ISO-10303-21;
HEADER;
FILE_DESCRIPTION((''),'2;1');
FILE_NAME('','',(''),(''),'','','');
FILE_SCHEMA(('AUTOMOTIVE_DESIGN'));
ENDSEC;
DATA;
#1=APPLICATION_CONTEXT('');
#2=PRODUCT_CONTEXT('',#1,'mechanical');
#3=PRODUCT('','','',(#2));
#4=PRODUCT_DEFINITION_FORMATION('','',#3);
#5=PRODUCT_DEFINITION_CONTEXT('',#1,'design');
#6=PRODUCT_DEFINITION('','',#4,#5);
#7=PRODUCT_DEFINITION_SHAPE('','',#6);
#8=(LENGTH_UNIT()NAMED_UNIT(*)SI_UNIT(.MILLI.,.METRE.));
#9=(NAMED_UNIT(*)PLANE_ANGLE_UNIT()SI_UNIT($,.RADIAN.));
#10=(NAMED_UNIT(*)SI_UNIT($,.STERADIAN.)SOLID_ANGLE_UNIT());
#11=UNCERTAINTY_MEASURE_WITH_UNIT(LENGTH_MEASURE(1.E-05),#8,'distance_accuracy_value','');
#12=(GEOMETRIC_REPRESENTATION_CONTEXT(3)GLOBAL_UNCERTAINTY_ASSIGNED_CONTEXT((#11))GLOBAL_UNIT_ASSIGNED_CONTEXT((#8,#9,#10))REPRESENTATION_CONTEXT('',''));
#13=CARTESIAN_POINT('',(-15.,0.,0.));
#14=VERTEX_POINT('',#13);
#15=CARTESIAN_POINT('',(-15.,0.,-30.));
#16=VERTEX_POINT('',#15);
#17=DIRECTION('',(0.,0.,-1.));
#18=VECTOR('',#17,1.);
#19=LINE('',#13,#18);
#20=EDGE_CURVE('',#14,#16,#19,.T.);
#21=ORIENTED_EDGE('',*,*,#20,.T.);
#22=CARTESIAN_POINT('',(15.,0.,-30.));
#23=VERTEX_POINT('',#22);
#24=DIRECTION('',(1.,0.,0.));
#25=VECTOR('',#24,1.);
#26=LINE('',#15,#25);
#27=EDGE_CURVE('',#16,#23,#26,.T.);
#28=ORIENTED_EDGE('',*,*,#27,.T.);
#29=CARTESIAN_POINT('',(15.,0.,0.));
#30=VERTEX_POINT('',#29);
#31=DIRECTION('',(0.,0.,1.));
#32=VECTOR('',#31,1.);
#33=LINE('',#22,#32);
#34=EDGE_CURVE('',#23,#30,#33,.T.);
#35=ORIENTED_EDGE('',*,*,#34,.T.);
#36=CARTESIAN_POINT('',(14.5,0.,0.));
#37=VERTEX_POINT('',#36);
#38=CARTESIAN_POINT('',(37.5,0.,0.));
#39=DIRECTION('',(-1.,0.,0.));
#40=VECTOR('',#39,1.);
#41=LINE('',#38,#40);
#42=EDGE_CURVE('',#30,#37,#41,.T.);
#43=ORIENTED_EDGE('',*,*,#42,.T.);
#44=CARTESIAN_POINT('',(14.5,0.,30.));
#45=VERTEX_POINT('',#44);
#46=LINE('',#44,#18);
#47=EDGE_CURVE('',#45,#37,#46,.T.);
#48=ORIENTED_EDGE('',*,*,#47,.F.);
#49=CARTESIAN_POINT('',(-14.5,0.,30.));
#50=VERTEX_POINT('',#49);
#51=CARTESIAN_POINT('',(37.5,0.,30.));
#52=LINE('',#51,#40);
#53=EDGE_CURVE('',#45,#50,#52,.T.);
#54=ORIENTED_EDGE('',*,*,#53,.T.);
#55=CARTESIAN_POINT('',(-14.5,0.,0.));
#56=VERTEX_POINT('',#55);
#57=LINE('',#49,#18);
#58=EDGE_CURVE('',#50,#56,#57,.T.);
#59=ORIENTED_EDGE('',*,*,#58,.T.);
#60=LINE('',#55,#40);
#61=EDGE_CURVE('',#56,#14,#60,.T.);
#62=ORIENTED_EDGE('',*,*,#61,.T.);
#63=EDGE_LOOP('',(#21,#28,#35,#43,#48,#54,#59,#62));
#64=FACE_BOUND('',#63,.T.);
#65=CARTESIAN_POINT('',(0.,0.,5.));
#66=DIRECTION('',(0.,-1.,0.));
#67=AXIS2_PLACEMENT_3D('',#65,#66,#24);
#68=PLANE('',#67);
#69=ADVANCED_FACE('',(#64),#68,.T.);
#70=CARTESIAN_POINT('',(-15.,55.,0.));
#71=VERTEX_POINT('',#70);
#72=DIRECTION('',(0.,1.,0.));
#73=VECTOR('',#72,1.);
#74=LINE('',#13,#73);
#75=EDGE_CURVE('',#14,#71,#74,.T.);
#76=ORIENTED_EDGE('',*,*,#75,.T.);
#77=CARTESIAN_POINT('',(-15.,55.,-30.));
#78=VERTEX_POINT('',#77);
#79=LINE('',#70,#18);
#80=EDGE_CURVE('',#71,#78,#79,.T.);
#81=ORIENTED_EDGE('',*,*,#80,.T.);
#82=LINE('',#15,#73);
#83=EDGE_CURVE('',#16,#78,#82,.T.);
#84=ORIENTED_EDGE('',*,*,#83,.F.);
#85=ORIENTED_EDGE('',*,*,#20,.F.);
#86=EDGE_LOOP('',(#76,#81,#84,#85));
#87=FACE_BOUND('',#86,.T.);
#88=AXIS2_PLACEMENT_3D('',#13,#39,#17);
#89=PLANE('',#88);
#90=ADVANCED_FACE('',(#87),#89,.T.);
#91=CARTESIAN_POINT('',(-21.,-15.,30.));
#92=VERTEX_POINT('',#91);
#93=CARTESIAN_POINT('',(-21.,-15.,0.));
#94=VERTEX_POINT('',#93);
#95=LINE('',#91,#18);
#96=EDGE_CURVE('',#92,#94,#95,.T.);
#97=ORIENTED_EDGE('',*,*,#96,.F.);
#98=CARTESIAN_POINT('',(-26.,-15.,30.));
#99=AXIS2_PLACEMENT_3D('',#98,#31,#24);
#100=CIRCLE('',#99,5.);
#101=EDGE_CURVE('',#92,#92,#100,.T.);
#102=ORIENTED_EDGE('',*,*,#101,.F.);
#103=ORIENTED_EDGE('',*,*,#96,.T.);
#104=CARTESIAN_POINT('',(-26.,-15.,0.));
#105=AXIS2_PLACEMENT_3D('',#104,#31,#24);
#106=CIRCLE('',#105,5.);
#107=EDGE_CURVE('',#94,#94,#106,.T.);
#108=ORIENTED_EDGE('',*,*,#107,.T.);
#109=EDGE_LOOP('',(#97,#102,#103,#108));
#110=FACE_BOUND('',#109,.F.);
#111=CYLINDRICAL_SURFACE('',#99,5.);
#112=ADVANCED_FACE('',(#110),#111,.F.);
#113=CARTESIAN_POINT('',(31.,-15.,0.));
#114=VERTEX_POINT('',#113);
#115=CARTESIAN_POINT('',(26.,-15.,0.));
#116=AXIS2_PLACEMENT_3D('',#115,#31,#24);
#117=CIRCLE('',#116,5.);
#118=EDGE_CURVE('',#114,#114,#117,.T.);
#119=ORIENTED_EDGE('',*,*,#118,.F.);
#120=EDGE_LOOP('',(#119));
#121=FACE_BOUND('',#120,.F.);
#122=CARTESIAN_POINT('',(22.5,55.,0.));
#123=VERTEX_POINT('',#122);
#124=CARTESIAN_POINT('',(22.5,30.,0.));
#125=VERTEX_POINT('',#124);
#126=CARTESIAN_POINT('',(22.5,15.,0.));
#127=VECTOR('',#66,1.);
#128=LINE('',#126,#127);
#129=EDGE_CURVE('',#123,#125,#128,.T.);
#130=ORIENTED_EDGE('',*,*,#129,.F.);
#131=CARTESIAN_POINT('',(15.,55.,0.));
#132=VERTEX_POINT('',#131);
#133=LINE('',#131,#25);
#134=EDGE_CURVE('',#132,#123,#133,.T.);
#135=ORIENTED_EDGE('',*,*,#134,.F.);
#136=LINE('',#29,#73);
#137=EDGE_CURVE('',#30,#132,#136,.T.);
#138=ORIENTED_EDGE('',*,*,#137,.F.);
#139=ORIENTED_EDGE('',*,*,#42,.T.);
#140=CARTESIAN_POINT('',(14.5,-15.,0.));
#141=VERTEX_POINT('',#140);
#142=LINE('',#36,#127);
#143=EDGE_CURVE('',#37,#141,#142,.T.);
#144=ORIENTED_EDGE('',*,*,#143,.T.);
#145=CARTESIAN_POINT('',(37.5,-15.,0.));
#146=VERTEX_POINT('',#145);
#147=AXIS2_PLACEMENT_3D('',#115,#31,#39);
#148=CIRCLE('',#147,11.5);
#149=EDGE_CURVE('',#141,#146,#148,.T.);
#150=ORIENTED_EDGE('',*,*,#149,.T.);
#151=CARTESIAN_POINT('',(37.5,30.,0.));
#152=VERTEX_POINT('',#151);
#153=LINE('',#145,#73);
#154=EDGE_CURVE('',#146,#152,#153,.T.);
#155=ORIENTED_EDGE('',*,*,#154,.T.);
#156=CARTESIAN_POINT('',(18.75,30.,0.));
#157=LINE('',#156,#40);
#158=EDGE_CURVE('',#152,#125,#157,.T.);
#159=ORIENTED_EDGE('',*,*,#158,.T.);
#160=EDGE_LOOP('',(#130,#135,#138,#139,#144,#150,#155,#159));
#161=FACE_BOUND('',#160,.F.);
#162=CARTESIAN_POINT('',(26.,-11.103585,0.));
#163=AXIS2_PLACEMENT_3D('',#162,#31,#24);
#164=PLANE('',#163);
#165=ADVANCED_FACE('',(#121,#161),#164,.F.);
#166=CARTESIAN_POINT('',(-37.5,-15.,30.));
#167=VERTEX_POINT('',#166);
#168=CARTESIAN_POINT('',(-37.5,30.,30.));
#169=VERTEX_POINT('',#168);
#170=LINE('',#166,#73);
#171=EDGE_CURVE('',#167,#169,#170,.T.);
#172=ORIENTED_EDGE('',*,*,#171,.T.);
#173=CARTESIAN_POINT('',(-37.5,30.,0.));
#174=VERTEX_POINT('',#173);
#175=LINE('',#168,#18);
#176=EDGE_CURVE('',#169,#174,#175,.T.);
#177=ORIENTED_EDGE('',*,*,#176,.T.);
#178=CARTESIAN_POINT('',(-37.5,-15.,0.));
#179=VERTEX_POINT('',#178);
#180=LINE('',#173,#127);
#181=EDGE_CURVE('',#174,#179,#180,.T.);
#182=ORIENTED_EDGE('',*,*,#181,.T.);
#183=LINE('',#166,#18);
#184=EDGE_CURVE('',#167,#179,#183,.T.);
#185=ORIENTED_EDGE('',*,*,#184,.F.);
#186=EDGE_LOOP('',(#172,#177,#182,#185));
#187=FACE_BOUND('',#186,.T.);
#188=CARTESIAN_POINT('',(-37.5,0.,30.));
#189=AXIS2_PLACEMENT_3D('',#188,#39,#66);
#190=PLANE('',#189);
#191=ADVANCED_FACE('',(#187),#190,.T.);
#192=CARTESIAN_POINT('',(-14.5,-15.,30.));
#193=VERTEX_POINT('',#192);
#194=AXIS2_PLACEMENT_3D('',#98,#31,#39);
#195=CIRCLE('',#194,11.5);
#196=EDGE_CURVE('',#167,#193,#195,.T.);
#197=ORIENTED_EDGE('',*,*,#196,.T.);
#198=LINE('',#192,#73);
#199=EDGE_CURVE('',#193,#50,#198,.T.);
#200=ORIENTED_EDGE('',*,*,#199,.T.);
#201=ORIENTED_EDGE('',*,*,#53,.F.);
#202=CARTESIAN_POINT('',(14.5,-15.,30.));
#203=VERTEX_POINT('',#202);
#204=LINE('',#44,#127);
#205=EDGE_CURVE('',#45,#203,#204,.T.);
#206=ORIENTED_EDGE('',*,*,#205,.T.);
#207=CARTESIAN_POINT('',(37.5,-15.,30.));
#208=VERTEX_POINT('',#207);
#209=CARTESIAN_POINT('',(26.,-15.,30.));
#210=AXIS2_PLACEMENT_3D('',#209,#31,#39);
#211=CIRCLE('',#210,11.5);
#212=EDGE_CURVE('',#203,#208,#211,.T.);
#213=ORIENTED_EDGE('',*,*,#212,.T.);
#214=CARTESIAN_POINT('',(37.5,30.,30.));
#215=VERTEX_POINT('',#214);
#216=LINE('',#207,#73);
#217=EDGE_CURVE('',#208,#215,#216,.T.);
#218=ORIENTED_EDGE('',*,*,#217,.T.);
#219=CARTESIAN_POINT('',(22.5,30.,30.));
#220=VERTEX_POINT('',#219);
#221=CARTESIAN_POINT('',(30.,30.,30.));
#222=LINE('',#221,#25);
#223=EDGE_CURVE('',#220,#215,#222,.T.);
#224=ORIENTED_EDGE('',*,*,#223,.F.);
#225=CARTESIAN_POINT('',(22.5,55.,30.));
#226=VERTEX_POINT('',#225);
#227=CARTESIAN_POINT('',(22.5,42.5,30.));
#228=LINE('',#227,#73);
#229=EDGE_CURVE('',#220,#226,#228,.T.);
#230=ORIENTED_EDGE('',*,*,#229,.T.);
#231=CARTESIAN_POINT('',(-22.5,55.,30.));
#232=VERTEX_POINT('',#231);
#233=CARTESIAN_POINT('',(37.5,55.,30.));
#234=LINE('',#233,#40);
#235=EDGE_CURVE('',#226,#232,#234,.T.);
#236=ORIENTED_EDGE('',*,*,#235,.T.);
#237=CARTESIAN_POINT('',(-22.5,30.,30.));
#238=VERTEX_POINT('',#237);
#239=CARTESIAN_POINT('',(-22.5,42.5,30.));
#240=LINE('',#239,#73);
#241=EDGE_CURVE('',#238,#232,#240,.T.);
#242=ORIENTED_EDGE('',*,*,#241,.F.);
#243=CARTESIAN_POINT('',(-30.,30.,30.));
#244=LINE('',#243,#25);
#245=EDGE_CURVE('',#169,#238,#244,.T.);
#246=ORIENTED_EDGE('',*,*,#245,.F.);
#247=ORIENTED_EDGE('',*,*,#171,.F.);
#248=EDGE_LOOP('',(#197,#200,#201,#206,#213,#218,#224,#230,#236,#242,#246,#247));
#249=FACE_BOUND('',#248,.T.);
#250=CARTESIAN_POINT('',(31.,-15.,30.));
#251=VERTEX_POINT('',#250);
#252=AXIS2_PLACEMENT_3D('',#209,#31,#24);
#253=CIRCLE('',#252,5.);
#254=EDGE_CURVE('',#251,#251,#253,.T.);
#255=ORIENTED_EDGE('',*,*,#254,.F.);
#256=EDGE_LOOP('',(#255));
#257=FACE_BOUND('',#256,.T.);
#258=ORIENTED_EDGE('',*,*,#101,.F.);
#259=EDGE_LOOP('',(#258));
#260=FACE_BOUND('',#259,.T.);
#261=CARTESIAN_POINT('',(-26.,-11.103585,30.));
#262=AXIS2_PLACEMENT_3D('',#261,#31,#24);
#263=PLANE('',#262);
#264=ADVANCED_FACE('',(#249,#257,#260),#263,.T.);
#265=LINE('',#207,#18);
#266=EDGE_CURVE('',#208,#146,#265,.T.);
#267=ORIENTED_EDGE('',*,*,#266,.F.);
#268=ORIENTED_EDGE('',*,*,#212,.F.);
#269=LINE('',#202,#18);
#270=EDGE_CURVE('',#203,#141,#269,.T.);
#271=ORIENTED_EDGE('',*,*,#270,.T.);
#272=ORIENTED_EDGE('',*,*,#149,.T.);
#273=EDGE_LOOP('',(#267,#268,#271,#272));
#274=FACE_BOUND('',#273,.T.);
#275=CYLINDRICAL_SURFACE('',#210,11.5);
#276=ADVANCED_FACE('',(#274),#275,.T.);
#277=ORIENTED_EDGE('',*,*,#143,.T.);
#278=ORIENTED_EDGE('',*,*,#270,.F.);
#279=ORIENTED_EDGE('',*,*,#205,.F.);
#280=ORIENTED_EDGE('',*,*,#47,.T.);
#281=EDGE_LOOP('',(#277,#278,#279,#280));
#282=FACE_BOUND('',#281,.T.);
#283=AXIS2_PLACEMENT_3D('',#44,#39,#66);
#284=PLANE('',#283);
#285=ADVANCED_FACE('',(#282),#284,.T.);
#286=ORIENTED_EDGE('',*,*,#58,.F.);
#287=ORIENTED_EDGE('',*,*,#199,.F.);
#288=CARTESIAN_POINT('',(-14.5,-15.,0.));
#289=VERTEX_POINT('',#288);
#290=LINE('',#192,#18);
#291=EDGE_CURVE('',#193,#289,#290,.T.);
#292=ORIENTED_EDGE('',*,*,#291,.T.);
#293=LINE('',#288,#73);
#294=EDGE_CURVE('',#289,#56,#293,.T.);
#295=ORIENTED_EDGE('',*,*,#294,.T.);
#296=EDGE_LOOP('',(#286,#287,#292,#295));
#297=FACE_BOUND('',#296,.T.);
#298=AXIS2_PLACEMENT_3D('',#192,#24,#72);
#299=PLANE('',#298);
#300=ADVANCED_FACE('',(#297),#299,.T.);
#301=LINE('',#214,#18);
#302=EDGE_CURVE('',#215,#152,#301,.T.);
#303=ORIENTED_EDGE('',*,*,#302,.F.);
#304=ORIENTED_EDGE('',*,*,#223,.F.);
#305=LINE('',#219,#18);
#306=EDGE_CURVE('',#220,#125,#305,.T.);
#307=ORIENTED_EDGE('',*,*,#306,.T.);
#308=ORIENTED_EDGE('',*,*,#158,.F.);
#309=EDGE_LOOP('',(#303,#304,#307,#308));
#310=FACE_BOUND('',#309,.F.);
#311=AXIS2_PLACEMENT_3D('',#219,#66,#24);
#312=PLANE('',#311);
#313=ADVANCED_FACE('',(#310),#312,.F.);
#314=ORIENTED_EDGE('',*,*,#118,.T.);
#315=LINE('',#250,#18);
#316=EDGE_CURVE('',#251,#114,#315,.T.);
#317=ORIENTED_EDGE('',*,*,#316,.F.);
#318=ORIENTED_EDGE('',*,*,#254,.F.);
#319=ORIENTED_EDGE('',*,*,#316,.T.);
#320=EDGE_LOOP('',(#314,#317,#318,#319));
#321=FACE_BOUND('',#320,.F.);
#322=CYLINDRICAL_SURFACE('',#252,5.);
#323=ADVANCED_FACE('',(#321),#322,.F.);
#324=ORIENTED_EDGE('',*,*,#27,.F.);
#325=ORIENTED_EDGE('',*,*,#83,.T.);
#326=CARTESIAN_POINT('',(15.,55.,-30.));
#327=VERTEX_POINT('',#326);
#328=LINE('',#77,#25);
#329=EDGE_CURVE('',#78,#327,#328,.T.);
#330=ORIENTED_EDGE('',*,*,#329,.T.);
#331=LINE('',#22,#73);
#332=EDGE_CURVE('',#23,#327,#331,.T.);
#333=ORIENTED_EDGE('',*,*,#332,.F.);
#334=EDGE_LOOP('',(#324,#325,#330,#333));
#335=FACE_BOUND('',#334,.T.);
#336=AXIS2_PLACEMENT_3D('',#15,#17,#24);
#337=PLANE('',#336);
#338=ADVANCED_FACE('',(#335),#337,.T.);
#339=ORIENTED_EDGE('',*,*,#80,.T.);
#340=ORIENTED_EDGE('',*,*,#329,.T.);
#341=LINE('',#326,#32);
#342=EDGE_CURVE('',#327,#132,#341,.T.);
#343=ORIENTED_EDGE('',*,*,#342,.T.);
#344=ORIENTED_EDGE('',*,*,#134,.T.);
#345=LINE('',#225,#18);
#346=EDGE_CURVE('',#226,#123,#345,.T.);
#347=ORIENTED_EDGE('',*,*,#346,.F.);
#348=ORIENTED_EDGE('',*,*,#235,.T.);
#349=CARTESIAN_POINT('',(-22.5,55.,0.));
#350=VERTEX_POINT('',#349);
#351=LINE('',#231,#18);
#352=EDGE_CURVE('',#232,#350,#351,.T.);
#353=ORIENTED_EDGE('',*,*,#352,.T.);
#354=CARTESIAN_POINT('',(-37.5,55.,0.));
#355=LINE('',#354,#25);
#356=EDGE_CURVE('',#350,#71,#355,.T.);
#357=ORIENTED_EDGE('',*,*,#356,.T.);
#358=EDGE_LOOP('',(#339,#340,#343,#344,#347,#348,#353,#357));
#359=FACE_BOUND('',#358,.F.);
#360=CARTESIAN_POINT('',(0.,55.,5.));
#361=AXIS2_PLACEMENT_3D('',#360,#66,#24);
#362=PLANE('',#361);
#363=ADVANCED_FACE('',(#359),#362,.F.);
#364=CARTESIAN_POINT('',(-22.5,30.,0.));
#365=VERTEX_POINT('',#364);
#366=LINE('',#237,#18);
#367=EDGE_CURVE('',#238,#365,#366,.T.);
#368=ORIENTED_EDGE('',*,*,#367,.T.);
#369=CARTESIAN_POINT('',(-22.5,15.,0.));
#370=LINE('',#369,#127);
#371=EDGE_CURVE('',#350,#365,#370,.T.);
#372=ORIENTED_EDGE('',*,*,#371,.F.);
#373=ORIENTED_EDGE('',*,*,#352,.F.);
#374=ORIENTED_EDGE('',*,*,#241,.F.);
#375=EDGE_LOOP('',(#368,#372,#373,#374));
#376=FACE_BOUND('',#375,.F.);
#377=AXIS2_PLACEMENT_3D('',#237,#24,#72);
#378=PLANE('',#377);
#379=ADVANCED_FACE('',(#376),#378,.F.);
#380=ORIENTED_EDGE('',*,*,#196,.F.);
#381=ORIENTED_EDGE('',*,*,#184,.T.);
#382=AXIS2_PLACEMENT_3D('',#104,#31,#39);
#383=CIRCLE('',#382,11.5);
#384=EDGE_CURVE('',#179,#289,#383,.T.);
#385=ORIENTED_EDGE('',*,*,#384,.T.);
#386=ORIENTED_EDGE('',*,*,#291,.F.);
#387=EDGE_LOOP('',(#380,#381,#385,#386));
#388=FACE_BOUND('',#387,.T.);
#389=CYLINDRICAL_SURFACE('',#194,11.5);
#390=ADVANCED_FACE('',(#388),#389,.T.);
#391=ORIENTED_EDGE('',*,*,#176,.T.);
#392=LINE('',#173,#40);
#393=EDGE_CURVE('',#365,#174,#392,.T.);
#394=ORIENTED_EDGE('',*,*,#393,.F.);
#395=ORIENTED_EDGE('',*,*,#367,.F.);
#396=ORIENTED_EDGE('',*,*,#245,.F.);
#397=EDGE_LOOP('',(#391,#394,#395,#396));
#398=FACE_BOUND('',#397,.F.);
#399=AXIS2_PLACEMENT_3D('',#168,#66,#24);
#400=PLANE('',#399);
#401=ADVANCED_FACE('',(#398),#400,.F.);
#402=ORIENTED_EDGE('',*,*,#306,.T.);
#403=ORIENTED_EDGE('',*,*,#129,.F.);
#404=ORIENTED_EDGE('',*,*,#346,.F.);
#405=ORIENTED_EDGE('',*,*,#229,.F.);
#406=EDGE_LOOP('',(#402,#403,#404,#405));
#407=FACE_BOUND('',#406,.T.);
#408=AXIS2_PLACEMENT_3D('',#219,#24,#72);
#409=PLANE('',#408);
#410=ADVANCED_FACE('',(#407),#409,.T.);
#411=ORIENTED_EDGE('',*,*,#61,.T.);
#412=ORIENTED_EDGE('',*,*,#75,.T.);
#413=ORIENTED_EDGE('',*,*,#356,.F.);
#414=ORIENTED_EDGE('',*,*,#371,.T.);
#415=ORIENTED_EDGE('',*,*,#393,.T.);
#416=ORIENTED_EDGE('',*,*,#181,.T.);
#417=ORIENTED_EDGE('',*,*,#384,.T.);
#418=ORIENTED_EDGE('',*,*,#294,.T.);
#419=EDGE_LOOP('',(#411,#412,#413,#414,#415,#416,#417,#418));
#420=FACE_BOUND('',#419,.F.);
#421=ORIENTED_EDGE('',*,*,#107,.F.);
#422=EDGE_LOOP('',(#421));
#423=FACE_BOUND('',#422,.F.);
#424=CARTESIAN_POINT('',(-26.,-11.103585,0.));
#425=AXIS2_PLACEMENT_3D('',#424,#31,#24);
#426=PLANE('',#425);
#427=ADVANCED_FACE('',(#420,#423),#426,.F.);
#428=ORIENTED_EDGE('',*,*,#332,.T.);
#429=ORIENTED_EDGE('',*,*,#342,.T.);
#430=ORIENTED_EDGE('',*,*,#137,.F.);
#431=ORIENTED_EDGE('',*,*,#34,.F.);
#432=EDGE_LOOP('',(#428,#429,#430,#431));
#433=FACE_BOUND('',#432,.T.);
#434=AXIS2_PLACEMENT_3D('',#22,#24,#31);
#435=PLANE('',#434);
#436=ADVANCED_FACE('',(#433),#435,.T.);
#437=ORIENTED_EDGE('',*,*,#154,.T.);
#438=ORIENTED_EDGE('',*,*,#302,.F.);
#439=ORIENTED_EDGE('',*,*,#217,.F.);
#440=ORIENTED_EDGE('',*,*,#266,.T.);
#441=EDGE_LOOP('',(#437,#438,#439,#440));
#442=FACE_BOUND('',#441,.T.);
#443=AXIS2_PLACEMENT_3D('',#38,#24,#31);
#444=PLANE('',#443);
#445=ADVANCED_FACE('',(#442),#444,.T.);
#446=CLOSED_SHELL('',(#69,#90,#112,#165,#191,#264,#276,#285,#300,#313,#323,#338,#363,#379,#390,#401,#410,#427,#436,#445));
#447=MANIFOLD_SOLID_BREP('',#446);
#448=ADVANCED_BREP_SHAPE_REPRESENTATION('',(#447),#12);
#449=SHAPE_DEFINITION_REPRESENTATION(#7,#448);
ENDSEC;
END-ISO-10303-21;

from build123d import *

# Parameters (mm, degrees)
F1_DEPTH = 55
F2_W     = 15
F2_H     = 25
F3_DEPTH = 62
F4_R     = 5
F5_DEPTH = 30


with BuildPart() as f1:
    # F0 (on Front) → F1 (new body)
    with BuildSketch(Plane.XZ):
        Polygon((37.5, 30), (0, 30), (-37.5, 30), (-37.5, 0), (-15, 0), (-15, -30), (0, -30), (15, -30), (15, 0), (37.5, 0), align=None)
    extrude(amount=-F1_DEPTH)

    # F2 (on face) → F3 (cut)
    with BuildSketch(Plane.XY.offset(30)):
        with Locations((30, 42.5)):
            Rectangle(F2_W, F2_H)
        with Locations((-30, 42.5)):
            Rectangle(F2_W, F2_H)
    extrude(amount=-F3_DEPTH, mode=Mode.SUBTRACT)

    # F4 (on face) → F5 (join)
    with BuildSketch(Plane.XY.offset(30)):
        with BuildLine():
            Line((-37.5, 0), (-37.5, -15))
            ThreePointArc((-37.5, -15), (-26, -26.5), (-14.5, -15))
            Line((-14.5, -15), (-14.5, 0))
            Line((-14.5, 0), (-37.5, 0))
        make_face()
        with Locations((-26, -15)):
            Circle(F4_R, mode=Mode.SUBTRACT)
        with BuildLine():
            Line((37.5, 0), (14.5, 0))
            Line((14.5, 0), (14.5, -15))
            ThreePointArc((14.5, -15), (26, -26.5), (37.5, -15))
            Line((37.5, -15), (37.5, 0))
        make_face()
        with Locations((26, -15)):
            Circle(F4_R, mode=Mode.SUBTRACT)
    extrude(amount=-F5_DEPTH)


solid = f1.part
